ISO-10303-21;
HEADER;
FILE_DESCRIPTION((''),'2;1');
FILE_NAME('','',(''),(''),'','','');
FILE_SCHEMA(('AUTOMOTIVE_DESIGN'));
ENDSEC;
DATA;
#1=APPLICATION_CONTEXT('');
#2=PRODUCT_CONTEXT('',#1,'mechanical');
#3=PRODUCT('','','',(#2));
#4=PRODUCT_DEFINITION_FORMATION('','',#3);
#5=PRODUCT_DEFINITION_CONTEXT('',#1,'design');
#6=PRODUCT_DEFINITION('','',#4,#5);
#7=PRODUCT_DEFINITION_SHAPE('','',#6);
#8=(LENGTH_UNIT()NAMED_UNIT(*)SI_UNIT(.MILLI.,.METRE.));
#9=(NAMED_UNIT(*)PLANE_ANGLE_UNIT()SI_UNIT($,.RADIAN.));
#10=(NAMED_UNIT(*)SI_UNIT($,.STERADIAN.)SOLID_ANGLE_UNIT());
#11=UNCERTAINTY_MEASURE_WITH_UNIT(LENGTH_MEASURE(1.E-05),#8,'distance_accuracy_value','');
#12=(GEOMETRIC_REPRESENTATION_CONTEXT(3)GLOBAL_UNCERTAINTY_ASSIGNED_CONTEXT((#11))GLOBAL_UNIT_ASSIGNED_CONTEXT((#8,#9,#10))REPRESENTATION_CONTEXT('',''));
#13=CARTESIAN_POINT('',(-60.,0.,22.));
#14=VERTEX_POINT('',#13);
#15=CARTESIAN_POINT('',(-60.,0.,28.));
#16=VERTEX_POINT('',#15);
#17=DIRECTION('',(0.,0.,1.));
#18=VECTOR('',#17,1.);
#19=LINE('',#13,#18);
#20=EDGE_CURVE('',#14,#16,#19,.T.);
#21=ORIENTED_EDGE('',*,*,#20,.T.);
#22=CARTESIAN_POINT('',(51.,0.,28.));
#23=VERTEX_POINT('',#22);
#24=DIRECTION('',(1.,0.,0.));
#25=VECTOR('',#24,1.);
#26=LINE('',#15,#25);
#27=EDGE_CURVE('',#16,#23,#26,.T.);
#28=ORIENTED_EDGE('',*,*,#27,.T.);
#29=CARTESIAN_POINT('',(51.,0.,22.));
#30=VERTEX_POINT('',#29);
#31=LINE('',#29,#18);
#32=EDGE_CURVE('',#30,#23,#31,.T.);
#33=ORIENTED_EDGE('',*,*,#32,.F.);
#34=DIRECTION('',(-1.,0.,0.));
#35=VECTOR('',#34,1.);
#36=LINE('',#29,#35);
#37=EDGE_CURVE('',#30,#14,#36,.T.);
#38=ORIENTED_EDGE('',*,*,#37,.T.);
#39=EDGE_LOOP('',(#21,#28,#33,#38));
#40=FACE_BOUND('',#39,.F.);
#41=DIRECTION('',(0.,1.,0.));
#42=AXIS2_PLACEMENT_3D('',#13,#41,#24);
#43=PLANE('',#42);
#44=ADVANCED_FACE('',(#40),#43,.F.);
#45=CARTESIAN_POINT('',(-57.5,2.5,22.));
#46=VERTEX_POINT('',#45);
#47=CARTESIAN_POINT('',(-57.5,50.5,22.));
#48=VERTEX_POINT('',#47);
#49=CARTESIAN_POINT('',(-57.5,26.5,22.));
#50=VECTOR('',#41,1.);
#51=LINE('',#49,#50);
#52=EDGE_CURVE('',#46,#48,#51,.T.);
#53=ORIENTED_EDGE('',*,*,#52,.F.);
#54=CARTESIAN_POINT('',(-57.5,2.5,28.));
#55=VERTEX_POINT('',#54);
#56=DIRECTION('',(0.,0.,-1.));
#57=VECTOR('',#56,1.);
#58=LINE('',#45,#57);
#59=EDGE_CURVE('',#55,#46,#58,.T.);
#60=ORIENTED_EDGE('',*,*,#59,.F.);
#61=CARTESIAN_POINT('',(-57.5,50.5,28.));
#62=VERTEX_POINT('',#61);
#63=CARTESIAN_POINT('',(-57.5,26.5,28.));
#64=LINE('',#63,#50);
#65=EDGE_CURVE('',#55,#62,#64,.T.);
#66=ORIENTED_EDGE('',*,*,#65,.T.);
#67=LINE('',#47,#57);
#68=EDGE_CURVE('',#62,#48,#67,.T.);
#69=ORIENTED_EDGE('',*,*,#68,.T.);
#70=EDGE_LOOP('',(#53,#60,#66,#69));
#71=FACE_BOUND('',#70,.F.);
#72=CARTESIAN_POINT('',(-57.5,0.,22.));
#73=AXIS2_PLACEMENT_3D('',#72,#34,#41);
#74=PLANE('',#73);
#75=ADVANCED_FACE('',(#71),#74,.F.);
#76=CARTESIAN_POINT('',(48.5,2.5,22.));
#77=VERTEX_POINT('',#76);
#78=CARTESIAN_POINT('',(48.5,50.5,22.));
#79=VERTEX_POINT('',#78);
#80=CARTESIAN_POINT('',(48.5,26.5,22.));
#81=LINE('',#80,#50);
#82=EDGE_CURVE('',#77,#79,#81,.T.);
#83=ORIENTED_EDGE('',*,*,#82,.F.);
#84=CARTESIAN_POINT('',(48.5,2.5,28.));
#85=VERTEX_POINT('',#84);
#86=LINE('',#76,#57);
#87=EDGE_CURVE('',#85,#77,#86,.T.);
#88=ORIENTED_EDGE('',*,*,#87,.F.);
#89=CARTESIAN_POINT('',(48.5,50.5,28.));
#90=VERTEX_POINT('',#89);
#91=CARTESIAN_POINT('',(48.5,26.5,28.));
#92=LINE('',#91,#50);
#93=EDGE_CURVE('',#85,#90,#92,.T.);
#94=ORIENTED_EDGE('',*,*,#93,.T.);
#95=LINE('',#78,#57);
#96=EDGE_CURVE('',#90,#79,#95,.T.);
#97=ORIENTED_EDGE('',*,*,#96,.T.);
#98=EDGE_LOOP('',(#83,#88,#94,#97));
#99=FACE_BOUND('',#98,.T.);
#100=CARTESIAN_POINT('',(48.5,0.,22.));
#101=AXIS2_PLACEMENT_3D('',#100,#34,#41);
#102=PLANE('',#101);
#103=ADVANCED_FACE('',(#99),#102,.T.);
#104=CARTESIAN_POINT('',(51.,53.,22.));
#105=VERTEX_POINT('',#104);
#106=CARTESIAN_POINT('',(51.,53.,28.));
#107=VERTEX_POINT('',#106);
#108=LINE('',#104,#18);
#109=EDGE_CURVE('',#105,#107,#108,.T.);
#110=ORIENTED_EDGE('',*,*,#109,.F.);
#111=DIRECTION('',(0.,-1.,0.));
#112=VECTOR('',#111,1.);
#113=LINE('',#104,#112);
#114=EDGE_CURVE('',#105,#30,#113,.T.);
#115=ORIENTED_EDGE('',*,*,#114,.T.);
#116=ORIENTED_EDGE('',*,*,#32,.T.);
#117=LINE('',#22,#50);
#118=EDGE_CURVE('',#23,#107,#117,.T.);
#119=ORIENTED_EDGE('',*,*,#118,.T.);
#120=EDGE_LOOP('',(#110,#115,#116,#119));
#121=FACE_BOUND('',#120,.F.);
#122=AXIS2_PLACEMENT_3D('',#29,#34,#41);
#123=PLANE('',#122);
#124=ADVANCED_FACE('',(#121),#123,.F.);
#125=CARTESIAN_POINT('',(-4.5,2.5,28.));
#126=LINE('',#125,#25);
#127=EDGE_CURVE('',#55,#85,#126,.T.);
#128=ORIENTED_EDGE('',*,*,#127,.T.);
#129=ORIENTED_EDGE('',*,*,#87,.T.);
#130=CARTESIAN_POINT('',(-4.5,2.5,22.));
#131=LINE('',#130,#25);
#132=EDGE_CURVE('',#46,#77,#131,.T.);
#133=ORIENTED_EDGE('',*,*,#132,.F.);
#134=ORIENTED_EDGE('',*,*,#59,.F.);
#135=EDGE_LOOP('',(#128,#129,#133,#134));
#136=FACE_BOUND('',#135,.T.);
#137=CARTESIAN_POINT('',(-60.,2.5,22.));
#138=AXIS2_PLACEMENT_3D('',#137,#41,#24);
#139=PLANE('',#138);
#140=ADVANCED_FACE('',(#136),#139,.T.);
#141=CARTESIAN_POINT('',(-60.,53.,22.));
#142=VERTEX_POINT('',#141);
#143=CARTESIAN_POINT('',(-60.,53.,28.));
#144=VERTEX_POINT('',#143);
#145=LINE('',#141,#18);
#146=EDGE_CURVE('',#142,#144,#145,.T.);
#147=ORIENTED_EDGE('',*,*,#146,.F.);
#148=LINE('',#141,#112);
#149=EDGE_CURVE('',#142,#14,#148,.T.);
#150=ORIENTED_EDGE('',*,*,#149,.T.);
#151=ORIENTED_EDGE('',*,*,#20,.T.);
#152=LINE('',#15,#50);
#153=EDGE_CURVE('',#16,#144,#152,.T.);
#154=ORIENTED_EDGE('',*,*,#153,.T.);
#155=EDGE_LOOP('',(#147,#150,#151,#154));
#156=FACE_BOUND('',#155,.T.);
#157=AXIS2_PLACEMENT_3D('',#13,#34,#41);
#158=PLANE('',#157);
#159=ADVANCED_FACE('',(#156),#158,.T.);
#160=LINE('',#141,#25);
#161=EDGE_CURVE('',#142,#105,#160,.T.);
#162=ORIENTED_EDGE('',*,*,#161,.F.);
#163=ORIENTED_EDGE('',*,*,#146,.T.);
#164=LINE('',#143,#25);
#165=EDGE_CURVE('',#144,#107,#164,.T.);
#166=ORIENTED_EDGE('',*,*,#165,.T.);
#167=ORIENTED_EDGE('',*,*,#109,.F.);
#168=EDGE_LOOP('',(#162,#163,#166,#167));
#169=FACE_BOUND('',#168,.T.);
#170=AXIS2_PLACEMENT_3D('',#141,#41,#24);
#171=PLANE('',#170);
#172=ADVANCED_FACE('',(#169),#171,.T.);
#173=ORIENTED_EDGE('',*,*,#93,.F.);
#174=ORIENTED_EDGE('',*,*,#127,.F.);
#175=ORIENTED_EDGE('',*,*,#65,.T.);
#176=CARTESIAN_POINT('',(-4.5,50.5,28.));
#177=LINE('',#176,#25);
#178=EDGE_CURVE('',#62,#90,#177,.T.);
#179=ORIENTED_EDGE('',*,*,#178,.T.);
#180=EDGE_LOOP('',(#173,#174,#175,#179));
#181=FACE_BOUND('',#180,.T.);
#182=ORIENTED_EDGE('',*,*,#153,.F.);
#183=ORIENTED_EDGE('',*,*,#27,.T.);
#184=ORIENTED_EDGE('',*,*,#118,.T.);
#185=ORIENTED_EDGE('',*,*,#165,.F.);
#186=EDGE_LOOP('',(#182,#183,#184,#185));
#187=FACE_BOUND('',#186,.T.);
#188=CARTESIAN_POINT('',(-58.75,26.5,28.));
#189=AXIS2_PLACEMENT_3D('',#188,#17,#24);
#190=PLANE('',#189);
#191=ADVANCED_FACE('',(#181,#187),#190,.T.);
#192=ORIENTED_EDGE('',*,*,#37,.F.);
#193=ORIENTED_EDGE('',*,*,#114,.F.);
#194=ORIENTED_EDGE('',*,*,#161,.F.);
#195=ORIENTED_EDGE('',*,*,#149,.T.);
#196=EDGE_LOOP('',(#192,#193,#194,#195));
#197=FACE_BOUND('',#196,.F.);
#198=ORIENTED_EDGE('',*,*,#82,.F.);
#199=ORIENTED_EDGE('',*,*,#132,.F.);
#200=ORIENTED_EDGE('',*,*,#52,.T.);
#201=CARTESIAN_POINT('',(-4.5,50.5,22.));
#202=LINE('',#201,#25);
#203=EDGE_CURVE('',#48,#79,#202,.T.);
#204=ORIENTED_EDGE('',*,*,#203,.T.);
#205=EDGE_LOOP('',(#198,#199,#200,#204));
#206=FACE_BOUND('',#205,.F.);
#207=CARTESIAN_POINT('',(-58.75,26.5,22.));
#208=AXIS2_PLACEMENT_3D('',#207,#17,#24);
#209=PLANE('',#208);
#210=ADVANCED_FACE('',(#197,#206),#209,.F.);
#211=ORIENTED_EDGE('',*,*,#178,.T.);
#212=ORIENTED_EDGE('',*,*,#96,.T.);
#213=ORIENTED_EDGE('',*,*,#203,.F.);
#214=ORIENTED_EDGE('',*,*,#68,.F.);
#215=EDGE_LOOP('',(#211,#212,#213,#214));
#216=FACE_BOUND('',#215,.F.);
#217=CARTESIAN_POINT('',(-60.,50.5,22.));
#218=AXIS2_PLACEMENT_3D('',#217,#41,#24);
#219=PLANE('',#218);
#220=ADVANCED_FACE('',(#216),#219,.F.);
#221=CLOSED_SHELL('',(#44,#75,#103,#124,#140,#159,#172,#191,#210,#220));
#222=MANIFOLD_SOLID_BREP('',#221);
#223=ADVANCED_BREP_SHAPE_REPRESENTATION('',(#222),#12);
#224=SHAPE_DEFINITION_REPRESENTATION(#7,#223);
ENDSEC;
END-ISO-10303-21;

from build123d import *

# Parameters (mm, degrees)
BOX008_W     = 2.5
BOX008_H     = 53
BOX008_DEPTH = 6
BOX007_W     = 111
BOX007_H     = 2.5
BOX007_DEPTH = 6
BOX006_W     = 111
BOX006_H     = 2.5
BOX006_DEPTH = 6
BOX009_W     = 2.5
BOX009_H     = 53
BOX009_DEPTH = 6


with BuildPart() as cube008:
    # Box008 → Box008 (new body)
    with BuildSketch(Plane(origin=(-60, 0, 0), x_dir=(1, 0, 0), z_dir=(0, 0, 1))):
        with Locations((1.25, 26.5)):
            Rectangle(BOX008_W, BOX008_H)
    extrude(amount=BOX008_DEPTH)


with BuildPart() as cube007:
    # Box007 → Box007 (new body)
    with BuildSketch(Plane(origin=(-60, 0, 0), x_dir=(1, 0, 0), z_dir=(0, 0, 1))):
        with Locations((55.5, 1.25)):
            Rectangle(BOX007_W, BOX007_H)
    extrude(amount=BOX007_DEPTH)


with BuildPart() as cube006:
    # Box006 → Box006 (new body)
    with BuildSketch(Plane(origin=(-60, 50.5, 0), x_dir=(1, 0, 0), z_dir=(0, 0, 1))):
        with Locations((55.5, 1.25)):
            Rectangle(BOX006_W, BOX006_H)
    extrude(amount=BOX006_DEPTH)


with BuildPart() as fusion003:
    # Box009 → Box009 (new body)
    with BuildSketch(Plane(origin=(48.5, 0, 0), x_dir=(1, 0, 0), z_dir=(0, 0, 1))):
        with Locations((1.25, 26.5)):
            Rectangle(BOX009_W, BOX009_H)
    extrude(amount=BOX009_DEPTH)

    # Fusion003: union Cube008, Cube007, Cube006
    add(cube008.part)
    add(cube007.part)
    add(cube006.part)


with BuildPart() as fusion003_1:
    # Fusion003 placement: moved
    add(fusion003.part.moved(Location((0, 0, 22))))


solid = fusion003_1.part
